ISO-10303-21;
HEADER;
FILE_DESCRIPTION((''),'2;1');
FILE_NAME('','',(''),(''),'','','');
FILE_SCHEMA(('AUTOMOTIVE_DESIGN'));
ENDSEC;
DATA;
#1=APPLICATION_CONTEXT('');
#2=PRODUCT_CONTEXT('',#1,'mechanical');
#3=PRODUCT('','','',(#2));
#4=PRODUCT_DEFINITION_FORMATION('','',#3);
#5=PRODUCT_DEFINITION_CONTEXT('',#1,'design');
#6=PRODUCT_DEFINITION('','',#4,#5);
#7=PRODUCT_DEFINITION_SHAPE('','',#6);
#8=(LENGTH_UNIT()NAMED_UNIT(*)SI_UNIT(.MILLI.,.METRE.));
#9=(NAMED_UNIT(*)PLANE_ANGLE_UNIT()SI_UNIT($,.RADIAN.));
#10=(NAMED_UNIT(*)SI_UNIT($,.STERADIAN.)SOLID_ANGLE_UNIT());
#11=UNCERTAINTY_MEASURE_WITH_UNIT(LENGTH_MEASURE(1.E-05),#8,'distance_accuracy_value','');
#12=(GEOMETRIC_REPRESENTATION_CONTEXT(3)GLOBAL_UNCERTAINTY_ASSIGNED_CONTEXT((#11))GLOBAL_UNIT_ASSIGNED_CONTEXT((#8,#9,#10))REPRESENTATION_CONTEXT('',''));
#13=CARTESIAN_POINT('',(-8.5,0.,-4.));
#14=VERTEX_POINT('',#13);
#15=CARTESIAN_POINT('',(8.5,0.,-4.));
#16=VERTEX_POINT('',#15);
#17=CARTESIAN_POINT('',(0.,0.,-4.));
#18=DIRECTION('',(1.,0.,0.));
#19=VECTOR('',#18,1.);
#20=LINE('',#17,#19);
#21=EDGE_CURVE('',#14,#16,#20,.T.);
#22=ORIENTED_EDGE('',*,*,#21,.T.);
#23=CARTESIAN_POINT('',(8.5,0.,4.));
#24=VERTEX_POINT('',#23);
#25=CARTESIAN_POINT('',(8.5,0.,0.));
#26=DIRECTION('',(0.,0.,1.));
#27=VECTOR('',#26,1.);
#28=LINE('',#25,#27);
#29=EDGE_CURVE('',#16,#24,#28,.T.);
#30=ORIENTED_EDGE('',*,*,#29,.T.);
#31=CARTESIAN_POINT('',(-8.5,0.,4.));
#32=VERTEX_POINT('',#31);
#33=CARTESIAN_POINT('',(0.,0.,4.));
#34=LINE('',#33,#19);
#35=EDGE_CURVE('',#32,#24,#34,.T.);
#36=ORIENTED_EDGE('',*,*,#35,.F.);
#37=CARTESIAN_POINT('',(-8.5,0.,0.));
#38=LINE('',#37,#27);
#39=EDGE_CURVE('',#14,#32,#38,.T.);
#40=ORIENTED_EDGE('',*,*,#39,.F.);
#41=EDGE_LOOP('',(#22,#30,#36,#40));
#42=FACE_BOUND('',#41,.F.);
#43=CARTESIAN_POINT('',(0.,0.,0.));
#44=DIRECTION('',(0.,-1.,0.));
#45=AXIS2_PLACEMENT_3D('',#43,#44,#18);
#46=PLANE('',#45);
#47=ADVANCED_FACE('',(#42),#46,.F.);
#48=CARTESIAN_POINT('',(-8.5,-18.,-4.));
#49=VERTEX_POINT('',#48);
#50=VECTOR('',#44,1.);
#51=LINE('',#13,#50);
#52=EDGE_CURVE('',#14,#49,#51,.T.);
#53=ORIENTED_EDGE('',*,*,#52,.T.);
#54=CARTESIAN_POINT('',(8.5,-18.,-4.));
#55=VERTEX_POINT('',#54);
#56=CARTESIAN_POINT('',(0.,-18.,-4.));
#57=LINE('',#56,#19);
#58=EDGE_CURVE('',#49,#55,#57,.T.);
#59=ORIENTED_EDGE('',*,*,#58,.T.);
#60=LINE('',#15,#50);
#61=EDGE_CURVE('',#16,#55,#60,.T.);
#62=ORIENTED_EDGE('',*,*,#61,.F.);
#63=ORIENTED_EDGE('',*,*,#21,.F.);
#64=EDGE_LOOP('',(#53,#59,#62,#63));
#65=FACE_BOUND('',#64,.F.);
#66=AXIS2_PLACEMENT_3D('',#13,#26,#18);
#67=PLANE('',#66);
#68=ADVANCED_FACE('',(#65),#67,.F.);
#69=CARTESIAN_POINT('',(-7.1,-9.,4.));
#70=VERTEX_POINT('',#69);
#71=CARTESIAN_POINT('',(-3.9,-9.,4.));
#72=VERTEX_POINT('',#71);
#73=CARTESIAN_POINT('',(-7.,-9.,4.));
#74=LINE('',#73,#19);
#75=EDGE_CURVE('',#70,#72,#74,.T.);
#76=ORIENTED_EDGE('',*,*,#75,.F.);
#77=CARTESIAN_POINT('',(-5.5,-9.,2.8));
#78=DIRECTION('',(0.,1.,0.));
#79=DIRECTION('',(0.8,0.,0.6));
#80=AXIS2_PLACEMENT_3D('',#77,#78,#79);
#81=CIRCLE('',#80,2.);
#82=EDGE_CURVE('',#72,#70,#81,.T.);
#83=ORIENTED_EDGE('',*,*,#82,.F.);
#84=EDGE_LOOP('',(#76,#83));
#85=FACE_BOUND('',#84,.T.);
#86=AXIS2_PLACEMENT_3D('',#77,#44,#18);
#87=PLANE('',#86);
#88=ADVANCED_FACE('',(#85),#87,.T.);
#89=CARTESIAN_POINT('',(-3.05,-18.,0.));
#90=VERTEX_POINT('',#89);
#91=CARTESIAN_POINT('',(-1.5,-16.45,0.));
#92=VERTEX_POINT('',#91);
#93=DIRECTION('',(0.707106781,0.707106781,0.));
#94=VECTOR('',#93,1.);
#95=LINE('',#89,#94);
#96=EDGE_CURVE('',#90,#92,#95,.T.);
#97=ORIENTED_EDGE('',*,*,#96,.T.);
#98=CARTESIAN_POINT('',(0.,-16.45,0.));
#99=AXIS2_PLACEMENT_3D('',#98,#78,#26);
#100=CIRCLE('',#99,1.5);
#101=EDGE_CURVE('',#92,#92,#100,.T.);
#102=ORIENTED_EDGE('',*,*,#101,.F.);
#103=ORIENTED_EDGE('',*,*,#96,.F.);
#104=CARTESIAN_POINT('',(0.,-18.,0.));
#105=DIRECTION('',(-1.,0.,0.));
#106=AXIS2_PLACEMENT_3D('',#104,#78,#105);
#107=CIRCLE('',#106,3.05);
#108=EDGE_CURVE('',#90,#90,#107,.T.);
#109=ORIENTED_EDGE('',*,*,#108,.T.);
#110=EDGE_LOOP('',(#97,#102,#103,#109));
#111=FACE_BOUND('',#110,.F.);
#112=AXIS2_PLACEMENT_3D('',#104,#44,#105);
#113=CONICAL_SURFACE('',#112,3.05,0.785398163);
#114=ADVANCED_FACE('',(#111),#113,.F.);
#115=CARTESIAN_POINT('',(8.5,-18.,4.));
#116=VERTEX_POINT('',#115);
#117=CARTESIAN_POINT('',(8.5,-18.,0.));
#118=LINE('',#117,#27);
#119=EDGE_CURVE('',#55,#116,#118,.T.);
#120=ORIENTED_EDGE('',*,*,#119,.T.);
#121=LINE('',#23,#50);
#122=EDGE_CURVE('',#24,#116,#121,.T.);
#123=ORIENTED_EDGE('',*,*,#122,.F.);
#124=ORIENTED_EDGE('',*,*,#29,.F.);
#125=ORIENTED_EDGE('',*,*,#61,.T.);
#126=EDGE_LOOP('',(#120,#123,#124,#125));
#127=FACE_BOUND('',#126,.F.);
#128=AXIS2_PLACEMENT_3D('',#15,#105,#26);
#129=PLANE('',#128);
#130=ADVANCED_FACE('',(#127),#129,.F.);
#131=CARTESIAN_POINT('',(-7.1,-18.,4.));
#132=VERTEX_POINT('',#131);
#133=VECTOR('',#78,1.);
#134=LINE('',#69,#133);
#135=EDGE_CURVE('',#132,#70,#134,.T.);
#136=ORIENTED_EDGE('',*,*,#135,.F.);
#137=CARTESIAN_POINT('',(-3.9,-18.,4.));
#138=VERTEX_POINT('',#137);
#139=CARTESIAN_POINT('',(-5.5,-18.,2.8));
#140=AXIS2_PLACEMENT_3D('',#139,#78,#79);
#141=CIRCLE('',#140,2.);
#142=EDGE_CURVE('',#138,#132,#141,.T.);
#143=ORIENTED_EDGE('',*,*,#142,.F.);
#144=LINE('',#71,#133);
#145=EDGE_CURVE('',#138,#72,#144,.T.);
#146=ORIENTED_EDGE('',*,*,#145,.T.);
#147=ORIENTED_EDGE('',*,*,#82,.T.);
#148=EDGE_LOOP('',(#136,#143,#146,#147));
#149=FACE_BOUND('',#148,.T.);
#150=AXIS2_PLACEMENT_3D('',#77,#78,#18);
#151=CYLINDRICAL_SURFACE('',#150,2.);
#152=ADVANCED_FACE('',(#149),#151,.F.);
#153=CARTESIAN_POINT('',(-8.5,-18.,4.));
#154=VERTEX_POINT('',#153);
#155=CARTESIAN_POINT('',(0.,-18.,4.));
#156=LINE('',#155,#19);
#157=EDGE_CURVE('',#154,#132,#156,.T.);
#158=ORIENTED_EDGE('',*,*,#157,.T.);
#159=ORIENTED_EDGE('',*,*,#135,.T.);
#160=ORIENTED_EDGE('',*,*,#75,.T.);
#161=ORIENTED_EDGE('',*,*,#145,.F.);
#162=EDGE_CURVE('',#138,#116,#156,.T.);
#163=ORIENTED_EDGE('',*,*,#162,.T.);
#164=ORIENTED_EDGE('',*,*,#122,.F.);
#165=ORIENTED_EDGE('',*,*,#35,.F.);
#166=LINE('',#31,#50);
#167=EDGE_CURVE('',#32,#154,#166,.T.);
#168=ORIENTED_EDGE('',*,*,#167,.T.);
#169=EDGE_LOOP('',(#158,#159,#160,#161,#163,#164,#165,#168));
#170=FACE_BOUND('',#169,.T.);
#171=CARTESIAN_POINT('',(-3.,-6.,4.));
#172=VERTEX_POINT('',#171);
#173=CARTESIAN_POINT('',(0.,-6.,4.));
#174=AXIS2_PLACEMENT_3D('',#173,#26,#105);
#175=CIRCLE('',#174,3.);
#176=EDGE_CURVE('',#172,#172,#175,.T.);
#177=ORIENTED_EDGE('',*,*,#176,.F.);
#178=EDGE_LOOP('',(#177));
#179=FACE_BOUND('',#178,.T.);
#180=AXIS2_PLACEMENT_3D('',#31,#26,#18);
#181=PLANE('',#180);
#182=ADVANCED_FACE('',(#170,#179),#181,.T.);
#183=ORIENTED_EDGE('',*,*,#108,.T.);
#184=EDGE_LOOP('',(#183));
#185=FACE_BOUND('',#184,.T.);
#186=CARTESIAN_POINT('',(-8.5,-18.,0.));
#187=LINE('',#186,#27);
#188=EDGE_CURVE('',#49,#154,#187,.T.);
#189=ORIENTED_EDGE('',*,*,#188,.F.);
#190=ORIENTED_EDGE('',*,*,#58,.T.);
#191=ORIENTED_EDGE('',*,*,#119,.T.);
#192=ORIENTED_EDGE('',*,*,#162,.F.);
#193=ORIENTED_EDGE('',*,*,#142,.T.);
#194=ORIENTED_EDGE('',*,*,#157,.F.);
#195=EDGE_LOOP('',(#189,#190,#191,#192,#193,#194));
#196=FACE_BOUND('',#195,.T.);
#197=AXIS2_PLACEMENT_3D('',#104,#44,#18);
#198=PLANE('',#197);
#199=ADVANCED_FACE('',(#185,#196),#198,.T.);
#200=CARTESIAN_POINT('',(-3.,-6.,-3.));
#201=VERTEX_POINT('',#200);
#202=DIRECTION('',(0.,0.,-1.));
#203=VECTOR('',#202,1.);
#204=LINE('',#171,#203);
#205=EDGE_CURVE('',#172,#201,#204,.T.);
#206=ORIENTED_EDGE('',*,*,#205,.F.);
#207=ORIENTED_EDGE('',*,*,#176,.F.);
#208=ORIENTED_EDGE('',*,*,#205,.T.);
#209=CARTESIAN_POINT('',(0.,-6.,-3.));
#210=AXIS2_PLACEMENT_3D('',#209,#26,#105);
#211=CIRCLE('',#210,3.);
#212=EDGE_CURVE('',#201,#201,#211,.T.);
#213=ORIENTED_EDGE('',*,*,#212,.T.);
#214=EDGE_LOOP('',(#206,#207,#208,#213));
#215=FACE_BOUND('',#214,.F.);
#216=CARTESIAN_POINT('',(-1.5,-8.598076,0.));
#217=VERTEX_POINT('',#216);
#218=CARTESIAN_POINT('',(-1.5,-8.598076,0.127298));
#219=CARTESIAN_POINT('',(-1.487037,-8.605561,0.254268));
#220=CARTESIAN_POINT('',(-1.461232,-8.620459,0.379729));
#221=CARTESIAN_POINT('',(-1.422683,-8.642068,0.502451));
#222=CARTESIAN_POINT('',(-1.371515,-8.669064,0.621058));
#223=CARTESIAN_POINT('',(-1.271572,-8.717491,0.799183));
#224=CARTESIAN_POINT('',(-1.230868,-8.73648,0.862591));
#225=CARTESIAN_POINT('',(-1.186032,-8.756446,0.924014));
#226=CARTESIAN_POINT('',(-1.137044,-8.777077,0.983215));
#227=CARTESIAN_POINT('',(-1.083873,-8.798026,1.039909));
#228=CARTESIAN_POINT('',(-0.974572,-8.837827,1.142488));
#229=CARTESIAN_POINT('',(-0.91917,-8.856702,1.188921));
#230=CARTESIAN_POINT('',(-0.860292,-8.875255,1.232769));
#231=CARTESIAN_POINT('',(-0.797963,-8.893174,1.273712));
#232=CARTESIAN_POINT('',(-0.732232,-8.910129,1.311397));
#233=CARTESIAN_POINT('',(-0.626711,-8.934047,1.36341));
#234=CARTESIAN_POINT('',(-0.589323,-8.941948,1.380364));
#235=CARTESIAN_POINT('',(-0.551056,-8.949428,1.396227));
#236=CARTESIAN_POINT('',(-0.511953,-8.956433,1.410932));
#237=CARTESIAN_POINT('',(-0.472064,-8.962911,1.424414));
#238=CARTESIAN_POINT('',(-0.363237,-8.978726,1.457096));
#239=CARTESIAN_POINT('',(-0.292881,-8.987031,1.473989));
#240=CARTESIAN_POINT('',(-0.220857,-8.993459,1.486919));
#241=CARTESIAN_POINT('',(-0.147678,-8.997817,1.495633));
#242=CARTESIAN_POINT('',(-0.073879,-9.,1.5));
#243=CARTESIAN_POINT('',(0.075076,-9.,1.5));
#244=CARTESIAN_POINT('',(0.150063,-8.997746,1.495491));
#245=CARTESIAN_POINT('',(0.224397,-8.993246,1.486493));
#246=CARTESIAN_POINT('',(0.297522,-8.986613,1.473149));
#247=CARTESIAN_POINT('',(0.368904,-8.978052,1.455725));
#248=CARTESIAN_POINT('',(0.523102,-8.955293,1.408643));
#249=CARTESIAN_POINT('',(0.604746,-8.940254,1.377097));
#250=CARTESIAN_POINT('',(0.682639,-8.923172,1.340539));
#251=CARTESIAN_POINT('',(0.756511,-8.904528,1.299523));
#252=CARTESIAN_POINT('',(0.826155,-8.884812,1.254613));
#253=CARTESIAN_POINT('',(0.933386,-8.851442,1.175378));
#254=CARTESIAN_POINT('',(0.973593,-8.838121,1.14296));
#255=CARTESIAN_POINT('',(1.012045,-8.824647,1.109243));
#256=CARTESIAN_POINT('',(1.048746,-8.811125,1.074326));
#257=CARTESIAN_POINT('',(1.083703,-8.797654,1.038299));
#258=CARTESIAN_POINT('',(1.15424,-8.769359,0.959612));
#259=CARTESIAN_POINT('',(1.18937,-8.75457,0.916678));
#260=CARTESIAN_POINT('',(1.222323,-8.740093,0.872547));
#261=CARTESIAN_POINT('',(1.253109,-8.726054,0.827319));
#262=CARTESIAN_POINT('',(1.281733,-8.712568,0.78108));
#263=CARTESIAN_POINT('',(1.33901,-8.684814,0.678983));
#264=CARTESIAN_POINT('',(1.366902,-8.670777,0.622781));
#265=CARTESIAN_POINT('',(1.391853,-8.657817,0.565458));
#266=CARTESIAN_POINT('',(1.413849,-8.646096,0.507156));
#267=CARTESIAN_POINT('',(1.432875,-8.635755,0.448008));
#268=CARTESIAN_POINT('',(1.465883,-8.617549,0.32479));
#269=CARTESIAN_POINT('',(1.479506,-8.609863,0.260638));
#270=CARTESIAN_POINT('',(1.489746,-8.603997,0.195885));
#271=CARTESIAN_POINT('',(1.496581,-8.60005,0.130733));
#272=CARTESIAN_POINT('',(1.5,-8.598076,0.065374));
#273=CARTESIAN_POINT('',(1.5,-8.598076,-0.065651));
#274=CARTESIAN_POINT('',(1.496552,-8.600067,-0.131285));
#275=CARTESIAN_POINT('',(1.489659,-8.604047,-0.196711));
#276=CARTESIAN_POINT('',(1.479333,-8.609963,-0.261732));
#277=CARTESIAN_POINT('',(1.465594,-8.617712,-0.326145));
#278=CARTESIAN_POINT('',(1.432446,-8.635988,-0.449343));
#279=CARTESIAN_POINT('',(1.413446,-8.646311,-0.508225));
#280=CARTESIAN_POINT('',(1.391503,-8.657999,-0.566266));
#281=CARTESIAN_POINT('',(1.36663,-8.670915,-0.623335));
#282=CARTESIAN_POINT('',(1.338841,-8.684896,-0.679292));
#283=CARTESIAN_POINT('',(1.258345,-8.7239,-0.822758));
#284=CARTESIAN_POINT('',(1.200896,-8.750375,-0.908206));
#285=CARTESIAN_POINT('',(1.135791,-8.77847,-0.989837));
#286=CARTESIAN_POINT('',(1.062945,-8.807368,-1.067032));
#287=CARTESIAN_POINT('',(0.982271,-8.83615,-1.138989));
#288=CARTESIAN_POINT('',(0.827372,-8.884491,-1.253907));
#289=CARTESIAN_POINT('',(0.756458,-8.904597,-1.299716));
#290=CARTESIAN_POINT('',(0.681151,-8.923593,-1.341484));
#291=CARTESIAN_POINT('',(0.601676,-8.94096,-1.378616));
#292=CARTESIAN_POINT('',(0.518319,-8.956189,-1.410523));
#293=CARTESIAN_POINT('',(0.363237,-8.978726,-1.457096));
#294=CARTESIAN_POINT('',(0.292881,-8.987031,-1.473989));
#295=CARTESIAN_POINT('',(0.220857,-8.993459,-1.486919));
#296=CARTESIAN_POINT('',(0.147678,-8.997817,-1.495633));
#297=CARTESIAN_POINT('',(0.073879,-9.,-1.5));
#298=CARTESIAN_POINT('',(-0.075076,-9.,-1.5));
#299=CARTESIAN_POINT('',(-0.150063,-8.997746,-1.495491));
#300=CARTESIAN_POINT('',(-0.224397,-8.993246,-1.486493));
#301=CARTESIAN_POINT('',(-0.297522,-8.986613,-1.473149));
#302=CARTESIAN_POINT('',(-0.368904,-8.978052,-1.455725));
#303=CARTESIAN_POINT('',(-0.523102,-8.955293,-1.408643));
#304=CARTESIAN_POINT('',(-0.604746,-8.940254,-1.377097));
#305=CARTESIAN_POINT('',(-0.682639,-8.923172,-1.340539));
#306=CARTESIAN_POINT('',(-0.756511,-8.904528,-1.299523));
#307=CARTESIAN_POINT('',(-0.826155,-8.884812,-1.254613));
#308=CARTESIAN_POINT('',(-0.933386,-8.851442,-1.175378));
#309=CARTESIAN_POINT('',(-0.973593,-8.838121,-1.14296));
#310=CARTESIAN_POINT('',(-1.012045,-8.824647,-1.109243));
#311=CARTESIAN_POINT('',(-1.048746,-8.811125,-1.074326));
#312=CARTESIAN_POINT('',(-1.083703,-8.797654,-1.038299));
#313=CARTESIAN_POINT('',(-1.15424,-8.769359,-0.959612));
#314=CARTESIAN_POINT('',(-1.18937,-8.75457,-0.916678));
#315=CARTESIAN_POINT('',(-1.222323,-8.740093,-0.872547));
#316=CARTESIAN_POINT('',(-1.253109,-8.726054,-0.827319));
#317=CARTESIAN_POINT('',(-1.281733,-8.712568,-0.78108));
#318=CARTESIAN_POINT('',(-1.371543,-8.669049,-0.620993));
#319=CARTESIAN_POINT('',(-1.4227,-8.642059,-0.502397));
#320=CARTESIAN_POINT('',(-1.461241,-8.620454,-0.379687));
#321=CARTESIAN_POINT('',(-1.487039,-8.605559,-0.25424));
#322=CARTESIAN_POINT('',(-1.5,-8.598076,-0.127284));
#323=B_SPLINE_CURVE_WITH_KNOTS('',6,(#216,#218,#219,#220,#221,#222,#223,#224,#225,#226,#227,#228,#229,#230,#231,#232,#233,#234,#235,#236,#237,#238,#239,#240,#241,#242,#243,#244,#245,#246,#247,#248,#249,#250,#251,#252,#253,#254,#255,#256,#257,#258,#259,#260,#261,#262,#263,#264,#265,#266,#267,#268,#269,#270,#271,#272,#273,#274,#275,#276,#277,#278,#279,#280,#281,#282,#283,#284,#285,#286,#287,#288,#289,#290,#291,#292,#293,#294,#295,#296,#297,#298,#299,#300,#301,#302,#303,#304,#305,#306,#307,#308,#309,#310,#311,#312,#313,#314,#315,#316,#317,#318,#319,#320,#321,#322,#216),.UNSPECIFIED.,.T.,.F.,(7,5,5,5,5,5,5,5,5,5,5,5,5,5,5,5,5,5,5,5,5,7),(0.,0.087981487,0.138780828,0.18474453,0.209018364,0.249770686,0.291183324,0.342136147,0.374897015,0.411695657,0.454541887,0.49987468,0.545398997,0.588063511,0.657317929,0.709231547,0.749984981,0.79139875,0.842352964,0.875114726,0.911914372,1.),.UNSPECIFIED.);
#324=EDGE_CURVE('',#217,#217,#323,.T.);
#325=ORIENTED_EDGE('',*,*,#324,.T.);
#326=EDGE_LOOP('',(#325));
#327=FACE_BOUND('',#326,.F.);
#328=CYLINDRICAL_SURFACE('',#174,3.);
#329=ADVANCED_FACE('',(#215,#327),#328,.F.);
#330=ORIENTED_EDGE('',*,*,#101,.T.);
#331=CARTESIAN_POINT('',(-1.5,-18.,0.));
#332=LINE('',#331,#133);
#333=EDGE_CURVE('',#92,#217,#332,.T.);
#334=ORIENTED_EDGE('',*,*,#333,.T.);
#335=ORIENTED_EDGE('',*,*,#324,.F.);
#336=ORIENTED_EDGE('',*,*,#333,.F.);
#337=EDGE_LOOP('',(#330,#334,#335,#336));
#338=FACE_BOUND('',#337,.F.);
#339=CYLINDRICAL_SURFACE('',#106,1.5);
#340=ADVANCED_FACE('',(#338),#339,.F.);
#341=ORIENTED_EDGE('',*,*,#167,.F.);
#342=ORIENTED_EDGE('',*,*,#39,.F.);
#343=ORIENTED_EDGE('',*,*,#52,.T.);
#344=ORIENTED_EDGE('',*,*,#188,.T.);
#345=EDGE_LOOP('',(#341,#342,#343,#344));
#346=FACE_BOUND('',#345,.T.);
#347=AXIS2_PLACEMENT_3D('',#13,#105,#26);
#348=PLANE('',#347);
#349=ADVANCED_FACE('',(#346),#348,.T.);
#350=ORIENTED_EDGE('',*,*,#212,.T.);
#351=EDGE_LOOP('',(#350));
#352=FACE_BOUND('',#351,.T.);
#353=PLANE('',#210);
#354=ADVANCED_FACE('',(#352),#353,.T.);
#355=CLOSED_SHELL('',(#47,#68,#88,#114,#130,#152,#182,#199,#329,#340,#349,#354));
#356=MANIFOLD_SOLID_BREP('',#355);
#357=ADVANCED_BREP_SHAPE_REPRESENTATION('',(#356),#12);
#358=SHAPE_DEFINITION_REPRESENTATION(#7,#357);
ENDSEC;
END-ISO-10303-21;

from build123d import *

# Parameters (mm, degrees)
CYLINDER002_R       = 2
CYLINDER002_DEPTH   = 10
SKETCH007_W         = 17
SKETCH007_H         = 8
PAD002_DEPTH        = 18
HOLE003_D           = 3
HOLE003_DEPTH       = 10
HOLE003_CSINK_D     = 6.1
HOLE003_CSINK_ANGLE = 90
HOLE003_TIPS_R      = 1.5
SKETCH009_R         = 3
HOLE004_DEPTH       = 7


with BuildPart() as cylinder002:
    # Cylinder002 → Cylinder002 (new body)
    with BuildSketch(Plane(origin=(-5.5, -9, 2.8), x_dir=(1, 0, 0), z_dir=(0, -1, 0))):
        Circle(CYLINDER002_R)
    extrude(amount=CYLINDER002_DEPTH)


with BuildPart() as cut002004:
    # Sketch007 → Pad002 (new body)
    with BuildSketch(Plane.XZ):
        Rectangle(SKETCH007_W, SKETCH007_H)
    extrude(amount=PAD002_DEPTH)

    # Hole003
    with Locations(Plane.XZ.offset(18)):
        with Locations((0, 0)):
            CounterSinkHole(HOLE003_D / 2, HOLE003_CSINK_D / 2, depth=HOLE003_DEPTH, counter_sink_angle=HOLE003_CSINK_ANGLE)

    # Hole003 tips → Hole003 tip 1 section 0
    with BuildSketch(Plane.XZ.offset(8), mode=Mode.PRIVATE) as hole003_tip_1_s0:
        Circle(HOLE003_TIPS_R)
    loft([hole003_tip_1_s0.sketch, Vertex(0, -7.098709, 0)], mode=Mode.SUBTRACT)

    # Sketch009 (on Face1 of Hole003) → Hole004 (cut)
    with BuildSketch(Plane(origin=(0, 0, 4), x_dir=(-1, 0, 0), z_dir=(0, 0, 1))):
        with Locations((0, 6)):
            Circle(SKETCH009_R)
    extrude(amount=-HOLE004_DEPTH, mode=Mode.SUBTRACT)

    # Cut002004: cut Cylinder002
    add(cylinder002.part, mode=Mode.SUBTRACT)


solid = cut002004.part
